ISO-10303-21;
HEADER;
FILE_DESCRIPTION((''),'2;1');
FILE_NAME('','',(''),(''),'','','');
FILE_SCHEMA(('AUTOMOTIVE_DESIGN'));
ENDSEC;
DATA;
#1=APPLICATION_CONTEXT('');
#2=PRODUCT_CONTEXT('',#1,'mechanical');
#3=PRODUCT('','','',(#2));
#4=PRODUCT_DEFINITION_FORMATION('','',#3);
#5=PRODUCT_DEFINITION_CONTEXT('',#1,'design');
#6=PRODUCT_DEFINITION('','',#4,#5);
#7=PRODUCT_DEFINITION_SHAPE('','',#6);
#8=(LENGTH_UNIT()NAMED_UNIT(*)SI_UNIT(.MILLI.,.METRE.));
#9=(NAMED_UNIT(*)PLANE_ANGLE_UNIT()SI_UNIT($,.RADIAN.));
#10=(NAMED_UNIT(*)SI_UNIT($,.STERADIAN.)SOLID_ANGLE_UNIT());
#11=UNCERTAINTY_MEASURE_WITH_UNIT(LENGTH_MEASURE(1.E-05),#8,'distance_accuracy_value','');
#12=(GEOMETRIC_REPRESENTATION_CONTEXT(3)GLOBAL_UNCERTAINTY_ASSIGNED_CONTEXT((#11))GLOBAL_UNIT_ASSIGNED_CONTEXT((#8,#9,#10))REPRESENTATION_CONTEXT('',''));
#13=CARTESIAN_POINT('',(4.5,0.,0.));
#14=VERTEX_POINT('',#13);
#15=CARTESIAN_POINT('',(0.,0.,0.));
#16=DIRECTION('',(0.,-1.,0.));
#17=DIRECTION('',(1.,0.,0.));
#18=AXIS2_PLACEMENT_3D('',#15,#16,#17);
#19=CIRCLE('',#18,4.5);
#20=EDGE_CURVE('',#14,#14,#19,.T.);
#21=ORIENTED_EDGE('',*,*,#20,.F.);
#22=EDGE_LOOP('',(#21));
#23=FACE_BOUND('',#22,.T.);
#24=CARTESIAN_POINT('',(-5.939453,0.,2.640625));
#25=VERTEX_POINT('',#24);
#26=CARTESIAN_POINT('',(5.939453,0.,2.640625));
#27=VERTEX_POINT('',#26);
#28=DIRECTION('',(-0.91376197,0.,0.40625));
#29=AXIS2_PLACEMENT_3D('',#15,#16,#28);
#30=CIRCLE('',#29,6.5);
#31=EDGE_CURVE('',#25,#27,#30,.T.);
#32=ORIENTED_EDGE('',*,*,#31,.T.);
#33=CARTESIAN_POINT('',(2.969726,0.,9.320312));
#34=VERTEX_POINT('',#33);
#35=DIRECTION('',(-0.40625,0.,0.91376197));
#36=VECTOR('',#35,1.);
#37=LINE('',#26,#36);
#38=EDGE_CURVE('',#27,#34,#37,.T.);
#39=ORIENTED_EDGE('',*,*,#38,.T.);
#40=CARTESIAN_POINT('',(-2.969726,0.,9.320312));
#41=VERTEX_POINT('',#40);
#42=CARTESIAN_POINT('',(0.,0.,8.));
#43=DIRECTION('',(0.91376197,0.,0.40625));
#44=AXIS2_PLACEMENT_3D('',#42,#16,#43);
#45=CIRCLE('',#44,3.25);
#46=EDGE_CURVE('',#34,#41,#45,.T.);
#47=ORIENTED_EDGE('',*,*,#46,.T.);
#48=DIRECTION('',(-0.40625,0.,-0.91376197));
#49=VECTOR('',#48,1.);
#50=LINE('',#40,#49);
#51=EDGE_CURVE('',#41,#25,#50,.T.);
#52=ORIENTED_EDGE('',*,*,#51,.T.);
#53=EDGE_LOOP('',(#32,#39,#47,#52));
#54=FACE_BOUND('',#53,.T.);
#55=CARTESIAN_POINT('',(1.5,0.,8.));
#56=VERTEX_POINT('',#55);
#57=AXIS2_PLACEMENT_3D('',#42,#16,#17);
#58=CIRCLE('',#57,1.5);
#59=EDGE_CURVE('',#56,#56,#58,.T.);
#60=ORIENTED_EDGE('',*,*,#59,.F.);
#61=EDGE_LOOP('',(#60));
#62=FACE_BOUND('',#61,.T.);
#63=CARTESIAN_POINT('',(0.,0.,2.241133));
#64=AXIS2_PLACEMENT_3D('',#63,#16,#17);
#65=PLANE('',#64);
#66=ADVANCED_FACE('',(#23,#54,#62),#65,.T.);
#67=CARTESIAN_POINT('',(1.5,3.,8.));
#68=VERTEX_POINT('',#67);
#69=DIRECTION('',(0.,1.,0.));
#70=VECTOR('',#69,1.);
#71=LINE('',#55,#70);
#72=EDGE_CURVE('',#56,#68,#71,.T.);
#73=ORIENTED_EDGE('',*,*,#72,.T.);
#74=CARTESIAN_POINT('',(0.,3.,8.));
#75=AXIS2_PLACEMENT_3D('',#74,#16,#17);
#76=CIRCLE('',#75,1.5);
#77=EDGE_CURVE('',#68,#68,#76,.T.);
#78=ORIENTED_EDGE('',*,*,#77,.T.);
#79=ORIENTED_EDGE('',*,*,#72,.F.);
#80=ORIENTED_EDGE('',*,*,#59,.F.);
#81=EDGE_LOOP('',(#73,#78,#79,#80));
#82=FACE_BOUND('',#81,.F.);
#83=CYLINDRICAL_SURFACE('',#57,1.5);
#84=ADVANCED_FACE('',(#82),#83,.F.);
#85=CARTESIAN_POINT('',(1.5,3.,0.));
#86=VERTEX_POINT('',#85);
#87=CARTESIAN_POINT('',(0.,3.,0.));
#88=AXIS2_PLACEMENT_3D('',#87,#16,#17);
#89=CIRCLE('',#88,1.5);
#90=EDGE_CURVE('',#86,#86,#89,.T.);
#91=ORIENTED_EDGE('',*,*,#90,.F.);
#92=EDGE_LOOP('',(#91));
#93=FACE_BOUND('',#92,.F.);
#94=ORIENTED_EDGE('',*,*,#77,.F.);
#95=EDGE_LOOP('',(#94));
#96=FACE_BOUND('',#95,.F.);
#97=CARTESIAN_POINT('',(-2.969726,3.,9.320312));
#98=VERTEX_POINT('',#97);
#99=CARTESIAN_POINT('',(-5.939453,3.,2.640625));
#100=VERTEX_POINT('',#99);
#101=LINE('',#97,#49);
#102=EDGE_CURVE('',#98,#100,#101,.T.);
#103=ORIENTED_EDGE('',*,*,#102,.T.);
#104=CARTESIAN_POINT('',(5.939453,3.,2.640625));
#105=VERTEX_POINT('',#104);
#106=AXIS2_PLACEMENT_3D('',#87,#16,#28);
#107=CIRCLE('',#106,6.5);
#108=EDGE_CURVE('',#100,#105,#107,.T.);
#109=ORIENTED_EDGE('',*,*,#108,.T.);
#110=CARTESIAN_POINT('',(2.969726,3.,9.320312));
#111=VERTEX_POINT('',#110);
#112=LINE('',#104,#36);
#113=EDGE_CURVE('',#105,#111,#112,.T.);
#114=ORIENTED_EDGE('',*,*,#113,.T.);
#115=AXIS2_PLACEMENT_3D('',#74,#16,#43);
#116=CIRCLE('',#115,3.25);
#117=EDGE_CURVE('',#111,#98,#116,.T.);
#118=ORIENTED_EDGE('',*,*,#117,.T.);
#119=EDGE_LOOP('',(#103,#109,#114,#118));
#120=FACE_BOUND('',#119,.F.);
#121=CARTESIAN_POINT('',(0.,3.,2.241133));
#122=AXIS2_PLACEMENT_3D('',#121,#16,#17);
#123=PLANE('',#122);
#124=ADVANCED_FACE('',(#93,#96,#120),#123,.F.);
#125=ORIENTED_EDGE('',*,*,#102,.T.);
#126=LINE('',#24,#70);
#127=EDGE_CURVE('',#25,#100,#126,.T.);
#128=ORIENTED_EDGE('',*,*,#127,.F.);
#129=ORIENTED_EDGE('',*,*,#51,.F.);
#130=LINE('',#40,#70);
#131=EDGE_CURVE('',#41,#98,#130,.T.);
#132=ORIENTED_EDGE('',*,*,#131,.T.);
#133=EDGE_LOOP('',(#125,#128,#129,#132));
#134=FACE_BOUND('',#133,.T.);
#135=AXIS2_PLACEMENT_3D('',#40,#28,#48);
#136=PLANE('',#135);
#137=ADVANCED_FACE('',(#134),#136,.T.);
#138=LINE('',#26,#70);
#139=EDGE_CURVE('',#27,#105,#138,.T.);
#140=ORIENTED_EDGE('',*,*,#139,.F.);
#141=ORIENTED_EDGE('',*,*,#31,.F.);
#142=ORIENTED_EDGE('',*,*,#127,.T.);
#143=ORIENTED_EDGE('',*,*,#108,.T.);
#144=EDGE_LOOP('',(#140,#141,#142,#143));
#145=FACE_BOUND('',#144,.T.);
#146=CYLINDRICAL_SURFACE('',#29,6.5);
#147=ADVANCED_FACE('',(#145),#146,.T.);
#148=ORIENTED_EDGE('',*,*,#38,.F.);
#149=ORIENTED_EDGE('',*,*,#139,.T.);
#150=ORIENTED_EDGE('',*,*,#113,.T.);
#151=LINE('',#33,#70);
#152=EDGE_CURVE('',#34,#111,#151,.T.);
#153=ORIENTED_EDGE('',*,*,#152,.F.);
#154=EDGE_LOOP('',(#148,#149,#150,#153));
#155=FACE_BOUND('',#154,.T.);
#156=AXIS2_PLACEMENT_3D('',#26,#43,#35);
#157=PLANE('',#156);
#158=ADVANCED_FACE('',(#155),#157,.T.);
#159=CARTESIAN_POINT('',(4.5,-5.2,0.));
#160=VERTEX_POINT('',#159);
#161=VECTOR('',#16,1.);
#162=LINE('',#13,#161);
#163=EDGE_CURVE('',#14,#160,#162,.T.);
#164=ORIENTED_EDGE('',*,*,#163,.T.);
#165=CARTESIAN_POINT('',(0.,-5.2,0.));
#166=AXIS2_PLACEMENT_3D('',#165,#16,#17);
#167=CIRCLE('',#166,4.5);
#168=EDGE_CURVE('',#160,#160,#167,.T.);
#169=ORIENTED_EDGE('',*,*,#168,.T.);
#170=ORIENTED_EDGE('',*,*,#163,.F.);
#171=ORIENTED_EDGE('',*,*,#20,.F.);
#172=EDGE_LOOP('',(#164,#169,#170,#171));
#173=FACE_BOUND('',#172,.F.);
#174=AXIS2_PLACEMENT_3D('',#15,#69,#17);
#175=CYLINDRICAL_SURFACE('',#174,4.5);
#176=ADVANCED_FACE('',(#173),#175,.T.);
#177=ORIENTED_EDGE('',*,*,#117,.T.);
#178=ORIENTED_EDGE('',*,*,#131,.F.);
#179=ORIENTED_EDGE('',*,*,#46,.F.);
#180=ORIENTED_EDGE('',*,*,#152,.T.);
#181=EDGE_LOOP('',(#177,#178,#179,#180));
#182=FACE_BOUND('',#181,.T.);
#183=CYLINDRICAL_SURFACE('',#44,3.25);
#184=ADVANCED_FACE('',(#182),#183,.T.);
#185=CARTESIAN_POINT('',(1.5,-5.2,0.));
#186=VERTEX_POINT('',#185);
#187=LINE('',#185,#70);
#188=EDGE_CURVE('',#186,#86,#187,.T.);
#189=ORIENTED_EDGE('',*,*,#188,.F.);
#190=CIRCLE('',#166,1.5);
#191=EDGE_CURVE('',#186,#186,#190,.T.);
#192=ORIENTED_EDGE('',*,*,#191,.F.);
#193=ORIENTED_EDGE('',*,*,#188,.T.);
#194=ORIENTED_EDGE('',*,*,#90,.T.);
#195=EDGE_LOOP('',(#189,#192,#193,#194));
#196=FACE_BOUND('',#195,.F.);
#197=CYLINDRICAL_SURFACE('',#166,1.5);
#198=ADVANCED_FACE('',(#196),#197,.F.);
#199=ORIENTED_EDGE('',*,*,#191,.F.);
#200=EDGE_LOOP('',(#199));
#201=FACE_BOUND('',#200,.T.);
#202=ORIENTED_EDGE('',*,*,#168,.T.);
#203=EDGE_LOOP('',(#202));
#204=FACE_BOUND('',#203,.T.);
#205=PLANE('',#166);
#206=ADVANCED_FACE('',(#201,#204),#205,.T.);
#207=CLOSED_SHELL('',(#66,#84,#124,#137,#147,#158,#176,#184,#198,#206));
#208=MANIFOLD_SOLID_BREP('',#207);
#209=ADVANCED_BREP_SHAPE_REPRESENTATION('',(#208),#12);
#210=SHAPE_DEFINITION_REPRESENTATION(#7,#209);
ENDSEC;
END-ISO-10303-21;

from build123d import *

# Parameters (mm, degrees)
F0_R     = 1.5
F1_DEPTH = 3
F2_R     = 4.5
F3_DEPTH = 5.2
F4_R     = 1.5
F5_DEPTH = 20


with BuildPart() as f1:
    # F0 (on Front) → F1 (new body)
    with BuildSketch(Plane.XZ):
        with BuildLine():
            Line((5.9394528039, 2.640625), (2.9697264019, 9.3203125))
            ThreePointArc((2.9697264019, 9.3203125), (0, 11.25), (-2.9697264019, 9.3203125))
            Line((-2.9697264019, 9.3203125), (-5.9394528039, 2.640625))
            ThreePointArc((-5.9394528039, 2.640625), (0, -6.5), (5.9394528039, 2.640625))
        make_face()
        with Locations((0, 8)):
            Circle(F0_R, mode=Mode.SUBTRACT)
    extrude(amount=-F1_DEPTH)

    # F2 (on face) → F3 (join)
    with BuildSketch(Plane.XZ):
        Circle(F2_R)
    extrude(amount=F3_DEPTH)

    # F4 (on face) → F5 (cut)
    with BuildSketch(Plane.XZ.offset(5.2)):
        Circle(F4_R)
    extrude(amount=-F5_DEPTH, mode=Mode.SUBTRACT)


solid = f1.part
